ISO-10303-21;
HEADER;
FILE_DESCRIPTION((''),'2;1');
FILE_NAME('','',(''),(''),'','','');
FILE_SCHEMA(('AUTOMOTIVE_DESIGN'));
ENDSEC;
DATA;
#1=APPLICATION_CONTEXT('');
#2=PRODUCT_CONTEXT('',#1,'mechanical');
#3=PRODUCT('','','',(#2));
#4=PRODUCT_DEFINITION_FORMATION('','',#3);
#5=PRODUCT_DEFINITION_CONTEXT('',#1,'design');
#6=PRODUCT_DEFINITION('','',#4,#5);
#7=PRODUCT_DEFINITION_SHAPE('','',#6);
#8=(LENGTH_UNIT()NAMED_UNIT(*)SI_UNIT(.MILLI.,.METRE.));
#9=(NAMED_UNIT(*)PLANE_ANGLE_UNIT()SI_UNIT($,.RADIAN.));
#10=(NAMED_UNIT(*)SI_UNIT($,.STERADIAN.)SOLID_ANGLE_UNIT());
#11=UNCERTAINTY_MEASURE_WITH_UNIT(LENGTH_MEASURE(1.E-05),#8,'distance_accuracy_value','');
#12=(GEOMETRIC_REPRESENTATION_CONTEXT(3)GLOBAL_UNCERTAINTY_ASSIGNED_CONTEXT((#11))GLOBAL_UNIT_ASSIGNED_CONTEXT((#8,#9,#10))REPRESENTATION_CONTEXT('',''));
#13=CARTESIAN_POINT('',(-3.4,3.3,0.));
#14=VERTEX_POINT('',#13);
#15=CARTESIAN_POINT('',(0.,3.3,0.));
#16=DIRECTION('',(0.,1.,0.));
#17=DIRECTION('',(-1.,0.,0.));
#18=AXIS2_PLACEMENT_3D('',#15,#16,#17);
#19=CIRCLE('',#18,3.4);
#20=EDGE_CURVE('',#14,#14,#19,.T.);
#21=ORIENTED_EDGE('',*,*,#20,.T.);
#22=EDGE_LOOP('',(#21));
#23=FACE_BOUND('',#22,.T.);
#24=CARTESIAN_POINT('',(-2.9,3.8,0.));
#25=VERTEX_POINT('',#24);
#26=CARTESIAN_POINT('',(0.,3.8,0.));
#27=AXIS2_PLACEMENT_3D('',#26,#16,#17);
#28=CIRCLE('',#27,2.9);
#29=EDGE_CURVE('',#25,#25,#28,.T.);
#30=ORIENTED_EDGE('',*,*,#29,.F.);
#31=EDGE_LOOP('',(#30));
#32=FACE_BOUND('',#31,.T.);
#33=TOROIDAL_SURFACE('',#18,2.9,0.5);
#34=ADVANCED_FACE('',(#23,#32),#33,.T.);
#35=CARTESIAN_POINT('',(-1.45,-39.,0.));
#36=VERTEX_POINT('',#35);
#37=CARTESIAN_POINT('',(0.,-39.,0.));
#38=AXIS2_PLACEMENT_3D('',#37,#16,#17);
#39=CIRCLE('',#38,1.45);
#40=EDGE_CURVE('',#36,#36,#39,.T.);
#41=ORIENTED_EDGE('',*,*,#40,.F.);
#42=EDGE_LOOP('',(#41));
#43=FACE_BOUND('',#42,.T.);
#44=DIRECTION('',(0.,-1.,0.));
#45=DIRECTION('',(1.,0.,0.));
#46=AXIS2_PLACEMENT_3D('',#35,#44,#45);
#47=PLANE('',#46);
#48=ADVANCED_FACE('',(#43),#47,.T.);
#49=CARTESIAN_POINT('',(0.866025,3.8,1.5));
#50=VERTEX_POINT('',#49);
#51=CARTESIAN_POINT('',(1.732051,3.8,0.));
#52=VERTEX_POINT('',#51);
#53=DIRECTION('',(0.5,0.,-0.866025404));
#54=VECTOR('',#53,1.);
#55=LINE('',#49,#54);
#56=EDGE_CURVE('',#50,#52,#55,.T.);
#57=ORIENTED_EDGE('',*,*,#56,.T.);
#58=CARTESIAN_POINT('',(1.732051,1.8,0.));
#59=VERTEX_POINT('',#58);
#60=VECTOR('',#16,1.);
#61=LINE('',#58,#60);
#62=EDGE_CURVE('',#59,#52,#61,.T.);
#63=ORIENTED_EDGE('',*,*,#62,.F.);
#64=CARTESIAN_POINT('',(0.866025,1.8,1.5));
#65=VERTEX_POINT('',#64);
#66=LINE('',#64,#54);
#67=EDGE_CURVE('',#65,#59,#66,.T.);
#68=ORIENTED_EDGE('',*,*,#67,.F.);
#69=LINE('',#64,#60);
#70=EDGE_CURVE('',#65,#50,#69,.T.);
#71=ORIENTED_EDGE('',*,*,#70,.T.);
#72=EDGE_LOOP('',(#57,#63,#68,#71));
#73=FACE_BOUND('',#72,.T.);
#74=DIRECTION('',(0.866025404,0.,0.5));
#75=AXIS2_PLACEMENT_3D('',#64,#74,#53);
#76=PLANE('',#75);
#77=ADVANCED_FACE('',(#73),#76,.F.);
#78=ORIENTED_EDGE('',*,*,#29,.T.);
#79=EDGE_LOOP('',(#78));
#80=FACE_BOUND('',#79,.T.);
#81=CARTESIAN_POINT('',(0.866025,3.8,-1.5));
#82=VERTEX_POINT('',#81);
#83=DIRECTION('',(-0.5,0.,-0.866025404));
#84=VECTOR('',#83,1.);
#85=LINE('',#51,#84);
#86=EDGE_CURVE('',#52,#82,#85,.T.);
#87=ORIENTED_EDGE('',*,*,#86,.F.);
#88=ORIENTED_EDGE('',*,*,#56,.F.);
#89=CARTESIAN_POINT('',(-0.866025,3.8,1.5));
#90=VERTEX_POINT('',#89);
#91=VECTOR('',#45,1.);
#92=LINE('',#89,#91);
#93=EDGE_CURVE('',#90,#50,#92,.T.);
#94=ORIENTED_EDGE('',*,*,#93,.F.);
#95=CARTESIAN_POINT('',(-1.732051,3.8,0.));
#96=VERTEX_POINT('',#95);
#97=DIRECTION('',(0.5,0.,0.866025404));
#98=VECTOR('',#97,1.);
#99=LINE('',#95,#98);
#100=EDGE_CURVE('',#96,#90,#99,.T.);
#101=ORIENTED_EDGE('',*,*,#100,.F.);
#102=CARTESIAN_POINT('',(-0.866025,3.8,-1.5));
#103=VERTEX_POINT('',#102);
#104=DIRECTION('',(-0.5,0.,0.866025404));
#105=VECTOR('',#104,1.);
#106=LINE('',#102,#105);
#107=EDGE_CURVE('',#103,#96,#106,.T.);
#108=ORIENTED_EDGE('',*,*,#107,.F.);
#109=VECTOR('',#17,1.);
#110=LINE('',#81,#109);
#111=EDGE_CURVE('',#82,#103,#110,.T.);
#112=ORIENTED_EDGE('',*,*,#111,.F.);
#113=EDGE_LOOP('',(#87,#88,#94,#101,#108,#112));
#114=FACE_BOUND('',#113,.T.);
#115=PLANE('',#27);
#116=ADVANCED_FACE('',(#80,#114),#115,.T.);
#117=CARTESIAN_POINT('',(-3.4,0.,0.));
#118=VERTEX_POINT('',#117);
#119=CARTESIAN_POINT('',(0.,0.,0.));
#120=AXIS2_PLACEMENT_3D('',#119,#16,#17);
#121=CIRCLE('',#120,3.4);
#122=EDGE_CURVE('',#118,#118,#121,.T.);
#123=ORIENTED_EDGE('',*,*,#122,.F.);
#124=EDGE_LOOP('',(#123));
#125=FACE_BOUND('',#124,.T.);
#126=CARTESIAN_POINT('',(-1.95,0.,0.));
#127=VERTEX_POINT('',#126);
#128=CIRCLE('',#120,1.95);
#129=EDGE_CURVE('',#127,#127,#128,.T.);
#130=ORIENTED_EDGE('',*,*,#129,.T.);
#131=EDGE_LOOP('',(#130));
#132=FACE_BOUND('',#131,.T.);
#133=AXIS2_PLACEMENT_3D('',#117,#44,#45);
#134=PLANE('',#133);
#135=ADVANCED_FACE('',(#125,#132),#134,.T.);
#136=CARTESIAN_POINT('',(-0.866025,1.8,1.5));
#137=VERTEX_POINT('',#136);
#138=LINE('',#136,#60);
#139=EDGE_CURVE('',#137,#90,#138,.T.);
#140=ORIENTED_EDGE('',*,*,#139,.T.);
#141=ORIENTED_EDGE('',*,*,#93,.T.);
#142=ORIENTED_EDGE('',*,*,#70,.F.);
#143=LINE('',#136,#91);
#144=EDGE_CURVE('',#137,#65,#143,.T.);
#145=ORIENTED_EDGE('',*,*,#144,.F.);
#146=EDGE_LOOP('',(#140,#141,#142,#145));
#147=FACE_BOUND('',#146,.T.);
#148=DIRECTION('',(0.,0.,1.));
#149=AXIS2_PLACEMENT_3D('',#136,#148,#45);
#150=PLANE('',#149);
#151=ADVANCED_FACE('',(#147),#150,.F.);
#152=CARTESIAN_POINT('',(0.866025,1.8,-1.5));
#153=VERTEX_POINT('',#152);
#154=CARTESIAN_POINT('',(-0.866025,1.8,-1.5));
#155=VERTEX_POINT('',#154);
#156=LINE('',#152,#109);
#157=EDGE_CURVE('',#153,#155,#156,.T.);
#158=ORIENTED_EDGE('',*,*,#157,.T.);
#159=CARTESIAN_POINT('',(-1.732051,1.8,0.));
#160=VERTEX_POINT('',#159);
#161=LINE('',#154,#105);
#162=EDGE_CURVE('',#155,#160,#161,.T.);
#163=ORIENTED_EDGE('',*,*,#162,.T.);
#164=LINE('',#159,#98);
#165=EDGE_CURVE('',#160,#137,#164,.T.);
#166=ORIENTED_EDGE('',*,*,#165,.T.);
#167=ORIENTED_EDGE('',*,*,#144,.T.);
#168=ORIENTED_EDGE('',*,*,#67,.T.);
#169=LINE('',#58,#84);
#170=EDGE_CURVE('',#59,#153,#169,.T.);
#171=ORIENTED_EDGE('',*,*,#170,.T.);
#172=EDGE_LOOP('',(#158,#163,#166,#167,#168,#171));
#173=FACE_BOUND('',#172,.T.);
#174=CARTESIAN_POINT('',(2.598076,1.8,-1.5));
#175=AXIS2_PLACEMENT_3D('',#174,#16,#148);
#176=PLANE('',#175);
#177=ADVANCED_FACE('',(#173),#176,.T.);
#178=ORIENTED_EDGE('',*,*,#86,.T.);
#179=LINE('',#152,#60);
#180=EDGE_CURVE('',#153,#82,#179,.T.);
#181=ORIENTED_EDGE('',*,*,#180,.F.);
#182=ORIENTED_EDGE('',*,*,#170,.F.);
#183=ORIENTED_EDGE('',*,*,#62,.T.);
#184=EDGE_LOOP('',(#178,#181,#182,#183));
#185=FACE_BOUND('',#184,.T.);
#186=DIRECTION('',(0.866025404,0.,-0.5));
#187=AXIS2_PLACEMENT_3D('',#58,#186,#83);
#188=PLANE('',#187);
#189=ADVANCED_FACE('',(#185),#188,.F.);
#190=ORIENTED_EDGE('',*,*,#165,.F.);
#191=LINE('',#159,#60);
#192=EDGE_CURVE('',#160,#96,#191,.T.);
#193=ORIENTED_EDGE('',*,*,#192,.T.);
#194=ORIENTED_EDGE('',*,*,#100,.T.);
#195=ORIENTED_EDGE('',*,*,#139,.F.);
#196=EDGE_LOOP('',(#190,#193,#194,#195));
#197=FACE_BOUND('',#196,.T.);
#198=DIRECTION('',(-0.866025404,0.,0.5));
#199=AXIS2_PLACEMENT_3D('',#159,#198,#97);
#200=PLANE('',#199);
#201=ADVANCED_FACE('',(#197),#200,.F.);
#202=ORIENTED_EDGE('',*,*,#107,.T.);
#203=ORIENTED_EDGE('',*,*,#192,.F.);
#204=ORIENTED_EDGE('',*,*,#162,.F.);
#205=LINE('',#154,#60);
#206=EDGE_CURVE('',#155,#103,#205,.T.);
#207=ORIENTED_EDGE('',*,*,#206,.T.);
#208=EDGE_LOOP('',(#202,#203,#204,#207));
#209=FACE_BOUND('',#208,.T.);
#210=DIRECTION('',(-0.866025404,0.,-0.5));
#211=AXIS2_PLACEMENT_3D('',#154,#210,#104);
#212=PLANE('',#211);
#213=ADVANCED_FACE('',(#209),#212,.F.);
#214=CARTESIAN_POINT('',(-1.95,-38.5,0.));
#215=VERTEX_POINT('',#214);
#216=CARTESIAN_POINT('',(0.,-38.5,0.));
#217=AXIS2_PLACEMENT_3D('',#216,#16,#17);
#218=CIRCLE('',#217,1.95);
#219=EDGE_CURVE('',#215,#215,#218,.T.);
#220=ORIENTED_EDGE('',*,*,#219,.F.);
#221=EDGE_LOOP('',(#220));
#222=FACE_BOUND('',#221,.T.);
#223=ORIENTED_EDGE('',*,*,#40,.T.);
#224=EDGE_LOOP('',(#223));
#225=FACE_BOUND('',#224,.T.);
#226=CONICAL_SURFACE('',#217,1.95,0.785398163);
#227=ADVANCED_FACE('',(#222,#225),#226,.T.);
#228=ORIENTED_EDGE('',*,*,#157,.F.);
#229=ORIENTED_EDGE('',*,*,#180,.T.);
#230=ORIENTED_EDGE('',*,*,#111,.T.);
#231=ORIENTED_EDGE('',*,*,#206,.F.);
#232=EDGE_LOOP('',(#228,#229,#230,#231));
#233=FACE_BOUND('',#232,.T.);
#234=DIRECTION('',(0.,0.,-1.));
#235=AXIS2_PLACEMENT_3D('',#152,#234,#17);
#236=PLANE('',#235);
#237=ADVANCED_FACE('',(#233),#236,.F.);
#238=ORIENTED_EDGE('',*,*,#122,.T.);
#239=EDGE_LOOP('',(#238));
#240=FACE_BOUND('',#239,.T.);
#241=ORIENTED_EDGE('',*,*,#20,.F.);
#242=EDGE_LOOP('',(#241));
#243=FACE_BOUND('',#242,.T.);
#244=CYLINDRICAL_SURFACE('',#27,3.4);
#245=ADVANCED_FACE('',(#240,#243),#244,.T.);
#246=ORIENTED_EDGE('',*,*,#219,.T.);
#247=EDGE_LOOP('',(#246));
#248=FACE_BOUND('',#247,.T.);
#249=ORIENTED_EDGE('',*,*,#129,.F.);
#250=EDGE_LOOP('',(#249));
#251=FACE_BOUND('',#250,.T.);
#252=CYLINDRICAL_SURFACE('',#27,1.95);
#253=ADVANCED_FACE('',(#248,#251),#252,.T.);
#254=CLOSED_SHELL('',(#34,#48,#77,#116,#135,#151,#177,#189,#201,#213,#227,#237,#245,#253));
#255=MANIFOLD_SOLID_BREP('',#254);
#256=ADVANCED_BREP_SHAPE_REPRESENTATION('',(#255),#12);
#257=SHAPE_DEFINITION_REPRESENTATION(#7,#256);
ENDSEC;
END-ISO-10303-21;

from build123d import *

# Parameters (mm, degrees)
ENL_V_MAT_EXTRU_1_DEPTH = 2


with BuildPart() as part:
    # Esquisse1 → Révolution1 (revolve)
    with BuildSketch(Plane.XY):
        with BuildLine():
            Line((0, 3.8), (-2.9, 3.8))
            ThreePointArc((-2.9, 3.8), (-3.253553391, 3.653553391), (-3.4, 3.3))
            Line((-3.4, 3.3), (-3.4, 0))
            Line((-3.4, 0), (-1.95, 0))
            Line((-1.95, 0), (-1.95, -38.5))
            Line((-1.95, -38.5), (-1.45, -39))
            Line((-1.45, -39), (0, -39))
            Line((0, -39), (0, 3.8))
        make_face()
    revolve(axis=Axis((0, 3.8, 0), (0, -1, 0)))

    # Esquisse2 → Enlèv. mat.-Extru.1 (cut)
    with BuildSketch(Plane(origin=(0, 3.8, 0), x_dir=(-1, 0, 0), z_dir=(0, 1, 0))):
        Polygon((-1.732050808, 0), (-0.866025404, -1.5), (0.866025404, -1.5), (1.732050808, 0), (0.866025404, 1.5), (-0.866025404, 1.5), align=None)
    extrude(amount=-ENL_V_MAT_EXTRU_1_DEPTH, mode=Mode.SUBTRACT)


solid = part.part
